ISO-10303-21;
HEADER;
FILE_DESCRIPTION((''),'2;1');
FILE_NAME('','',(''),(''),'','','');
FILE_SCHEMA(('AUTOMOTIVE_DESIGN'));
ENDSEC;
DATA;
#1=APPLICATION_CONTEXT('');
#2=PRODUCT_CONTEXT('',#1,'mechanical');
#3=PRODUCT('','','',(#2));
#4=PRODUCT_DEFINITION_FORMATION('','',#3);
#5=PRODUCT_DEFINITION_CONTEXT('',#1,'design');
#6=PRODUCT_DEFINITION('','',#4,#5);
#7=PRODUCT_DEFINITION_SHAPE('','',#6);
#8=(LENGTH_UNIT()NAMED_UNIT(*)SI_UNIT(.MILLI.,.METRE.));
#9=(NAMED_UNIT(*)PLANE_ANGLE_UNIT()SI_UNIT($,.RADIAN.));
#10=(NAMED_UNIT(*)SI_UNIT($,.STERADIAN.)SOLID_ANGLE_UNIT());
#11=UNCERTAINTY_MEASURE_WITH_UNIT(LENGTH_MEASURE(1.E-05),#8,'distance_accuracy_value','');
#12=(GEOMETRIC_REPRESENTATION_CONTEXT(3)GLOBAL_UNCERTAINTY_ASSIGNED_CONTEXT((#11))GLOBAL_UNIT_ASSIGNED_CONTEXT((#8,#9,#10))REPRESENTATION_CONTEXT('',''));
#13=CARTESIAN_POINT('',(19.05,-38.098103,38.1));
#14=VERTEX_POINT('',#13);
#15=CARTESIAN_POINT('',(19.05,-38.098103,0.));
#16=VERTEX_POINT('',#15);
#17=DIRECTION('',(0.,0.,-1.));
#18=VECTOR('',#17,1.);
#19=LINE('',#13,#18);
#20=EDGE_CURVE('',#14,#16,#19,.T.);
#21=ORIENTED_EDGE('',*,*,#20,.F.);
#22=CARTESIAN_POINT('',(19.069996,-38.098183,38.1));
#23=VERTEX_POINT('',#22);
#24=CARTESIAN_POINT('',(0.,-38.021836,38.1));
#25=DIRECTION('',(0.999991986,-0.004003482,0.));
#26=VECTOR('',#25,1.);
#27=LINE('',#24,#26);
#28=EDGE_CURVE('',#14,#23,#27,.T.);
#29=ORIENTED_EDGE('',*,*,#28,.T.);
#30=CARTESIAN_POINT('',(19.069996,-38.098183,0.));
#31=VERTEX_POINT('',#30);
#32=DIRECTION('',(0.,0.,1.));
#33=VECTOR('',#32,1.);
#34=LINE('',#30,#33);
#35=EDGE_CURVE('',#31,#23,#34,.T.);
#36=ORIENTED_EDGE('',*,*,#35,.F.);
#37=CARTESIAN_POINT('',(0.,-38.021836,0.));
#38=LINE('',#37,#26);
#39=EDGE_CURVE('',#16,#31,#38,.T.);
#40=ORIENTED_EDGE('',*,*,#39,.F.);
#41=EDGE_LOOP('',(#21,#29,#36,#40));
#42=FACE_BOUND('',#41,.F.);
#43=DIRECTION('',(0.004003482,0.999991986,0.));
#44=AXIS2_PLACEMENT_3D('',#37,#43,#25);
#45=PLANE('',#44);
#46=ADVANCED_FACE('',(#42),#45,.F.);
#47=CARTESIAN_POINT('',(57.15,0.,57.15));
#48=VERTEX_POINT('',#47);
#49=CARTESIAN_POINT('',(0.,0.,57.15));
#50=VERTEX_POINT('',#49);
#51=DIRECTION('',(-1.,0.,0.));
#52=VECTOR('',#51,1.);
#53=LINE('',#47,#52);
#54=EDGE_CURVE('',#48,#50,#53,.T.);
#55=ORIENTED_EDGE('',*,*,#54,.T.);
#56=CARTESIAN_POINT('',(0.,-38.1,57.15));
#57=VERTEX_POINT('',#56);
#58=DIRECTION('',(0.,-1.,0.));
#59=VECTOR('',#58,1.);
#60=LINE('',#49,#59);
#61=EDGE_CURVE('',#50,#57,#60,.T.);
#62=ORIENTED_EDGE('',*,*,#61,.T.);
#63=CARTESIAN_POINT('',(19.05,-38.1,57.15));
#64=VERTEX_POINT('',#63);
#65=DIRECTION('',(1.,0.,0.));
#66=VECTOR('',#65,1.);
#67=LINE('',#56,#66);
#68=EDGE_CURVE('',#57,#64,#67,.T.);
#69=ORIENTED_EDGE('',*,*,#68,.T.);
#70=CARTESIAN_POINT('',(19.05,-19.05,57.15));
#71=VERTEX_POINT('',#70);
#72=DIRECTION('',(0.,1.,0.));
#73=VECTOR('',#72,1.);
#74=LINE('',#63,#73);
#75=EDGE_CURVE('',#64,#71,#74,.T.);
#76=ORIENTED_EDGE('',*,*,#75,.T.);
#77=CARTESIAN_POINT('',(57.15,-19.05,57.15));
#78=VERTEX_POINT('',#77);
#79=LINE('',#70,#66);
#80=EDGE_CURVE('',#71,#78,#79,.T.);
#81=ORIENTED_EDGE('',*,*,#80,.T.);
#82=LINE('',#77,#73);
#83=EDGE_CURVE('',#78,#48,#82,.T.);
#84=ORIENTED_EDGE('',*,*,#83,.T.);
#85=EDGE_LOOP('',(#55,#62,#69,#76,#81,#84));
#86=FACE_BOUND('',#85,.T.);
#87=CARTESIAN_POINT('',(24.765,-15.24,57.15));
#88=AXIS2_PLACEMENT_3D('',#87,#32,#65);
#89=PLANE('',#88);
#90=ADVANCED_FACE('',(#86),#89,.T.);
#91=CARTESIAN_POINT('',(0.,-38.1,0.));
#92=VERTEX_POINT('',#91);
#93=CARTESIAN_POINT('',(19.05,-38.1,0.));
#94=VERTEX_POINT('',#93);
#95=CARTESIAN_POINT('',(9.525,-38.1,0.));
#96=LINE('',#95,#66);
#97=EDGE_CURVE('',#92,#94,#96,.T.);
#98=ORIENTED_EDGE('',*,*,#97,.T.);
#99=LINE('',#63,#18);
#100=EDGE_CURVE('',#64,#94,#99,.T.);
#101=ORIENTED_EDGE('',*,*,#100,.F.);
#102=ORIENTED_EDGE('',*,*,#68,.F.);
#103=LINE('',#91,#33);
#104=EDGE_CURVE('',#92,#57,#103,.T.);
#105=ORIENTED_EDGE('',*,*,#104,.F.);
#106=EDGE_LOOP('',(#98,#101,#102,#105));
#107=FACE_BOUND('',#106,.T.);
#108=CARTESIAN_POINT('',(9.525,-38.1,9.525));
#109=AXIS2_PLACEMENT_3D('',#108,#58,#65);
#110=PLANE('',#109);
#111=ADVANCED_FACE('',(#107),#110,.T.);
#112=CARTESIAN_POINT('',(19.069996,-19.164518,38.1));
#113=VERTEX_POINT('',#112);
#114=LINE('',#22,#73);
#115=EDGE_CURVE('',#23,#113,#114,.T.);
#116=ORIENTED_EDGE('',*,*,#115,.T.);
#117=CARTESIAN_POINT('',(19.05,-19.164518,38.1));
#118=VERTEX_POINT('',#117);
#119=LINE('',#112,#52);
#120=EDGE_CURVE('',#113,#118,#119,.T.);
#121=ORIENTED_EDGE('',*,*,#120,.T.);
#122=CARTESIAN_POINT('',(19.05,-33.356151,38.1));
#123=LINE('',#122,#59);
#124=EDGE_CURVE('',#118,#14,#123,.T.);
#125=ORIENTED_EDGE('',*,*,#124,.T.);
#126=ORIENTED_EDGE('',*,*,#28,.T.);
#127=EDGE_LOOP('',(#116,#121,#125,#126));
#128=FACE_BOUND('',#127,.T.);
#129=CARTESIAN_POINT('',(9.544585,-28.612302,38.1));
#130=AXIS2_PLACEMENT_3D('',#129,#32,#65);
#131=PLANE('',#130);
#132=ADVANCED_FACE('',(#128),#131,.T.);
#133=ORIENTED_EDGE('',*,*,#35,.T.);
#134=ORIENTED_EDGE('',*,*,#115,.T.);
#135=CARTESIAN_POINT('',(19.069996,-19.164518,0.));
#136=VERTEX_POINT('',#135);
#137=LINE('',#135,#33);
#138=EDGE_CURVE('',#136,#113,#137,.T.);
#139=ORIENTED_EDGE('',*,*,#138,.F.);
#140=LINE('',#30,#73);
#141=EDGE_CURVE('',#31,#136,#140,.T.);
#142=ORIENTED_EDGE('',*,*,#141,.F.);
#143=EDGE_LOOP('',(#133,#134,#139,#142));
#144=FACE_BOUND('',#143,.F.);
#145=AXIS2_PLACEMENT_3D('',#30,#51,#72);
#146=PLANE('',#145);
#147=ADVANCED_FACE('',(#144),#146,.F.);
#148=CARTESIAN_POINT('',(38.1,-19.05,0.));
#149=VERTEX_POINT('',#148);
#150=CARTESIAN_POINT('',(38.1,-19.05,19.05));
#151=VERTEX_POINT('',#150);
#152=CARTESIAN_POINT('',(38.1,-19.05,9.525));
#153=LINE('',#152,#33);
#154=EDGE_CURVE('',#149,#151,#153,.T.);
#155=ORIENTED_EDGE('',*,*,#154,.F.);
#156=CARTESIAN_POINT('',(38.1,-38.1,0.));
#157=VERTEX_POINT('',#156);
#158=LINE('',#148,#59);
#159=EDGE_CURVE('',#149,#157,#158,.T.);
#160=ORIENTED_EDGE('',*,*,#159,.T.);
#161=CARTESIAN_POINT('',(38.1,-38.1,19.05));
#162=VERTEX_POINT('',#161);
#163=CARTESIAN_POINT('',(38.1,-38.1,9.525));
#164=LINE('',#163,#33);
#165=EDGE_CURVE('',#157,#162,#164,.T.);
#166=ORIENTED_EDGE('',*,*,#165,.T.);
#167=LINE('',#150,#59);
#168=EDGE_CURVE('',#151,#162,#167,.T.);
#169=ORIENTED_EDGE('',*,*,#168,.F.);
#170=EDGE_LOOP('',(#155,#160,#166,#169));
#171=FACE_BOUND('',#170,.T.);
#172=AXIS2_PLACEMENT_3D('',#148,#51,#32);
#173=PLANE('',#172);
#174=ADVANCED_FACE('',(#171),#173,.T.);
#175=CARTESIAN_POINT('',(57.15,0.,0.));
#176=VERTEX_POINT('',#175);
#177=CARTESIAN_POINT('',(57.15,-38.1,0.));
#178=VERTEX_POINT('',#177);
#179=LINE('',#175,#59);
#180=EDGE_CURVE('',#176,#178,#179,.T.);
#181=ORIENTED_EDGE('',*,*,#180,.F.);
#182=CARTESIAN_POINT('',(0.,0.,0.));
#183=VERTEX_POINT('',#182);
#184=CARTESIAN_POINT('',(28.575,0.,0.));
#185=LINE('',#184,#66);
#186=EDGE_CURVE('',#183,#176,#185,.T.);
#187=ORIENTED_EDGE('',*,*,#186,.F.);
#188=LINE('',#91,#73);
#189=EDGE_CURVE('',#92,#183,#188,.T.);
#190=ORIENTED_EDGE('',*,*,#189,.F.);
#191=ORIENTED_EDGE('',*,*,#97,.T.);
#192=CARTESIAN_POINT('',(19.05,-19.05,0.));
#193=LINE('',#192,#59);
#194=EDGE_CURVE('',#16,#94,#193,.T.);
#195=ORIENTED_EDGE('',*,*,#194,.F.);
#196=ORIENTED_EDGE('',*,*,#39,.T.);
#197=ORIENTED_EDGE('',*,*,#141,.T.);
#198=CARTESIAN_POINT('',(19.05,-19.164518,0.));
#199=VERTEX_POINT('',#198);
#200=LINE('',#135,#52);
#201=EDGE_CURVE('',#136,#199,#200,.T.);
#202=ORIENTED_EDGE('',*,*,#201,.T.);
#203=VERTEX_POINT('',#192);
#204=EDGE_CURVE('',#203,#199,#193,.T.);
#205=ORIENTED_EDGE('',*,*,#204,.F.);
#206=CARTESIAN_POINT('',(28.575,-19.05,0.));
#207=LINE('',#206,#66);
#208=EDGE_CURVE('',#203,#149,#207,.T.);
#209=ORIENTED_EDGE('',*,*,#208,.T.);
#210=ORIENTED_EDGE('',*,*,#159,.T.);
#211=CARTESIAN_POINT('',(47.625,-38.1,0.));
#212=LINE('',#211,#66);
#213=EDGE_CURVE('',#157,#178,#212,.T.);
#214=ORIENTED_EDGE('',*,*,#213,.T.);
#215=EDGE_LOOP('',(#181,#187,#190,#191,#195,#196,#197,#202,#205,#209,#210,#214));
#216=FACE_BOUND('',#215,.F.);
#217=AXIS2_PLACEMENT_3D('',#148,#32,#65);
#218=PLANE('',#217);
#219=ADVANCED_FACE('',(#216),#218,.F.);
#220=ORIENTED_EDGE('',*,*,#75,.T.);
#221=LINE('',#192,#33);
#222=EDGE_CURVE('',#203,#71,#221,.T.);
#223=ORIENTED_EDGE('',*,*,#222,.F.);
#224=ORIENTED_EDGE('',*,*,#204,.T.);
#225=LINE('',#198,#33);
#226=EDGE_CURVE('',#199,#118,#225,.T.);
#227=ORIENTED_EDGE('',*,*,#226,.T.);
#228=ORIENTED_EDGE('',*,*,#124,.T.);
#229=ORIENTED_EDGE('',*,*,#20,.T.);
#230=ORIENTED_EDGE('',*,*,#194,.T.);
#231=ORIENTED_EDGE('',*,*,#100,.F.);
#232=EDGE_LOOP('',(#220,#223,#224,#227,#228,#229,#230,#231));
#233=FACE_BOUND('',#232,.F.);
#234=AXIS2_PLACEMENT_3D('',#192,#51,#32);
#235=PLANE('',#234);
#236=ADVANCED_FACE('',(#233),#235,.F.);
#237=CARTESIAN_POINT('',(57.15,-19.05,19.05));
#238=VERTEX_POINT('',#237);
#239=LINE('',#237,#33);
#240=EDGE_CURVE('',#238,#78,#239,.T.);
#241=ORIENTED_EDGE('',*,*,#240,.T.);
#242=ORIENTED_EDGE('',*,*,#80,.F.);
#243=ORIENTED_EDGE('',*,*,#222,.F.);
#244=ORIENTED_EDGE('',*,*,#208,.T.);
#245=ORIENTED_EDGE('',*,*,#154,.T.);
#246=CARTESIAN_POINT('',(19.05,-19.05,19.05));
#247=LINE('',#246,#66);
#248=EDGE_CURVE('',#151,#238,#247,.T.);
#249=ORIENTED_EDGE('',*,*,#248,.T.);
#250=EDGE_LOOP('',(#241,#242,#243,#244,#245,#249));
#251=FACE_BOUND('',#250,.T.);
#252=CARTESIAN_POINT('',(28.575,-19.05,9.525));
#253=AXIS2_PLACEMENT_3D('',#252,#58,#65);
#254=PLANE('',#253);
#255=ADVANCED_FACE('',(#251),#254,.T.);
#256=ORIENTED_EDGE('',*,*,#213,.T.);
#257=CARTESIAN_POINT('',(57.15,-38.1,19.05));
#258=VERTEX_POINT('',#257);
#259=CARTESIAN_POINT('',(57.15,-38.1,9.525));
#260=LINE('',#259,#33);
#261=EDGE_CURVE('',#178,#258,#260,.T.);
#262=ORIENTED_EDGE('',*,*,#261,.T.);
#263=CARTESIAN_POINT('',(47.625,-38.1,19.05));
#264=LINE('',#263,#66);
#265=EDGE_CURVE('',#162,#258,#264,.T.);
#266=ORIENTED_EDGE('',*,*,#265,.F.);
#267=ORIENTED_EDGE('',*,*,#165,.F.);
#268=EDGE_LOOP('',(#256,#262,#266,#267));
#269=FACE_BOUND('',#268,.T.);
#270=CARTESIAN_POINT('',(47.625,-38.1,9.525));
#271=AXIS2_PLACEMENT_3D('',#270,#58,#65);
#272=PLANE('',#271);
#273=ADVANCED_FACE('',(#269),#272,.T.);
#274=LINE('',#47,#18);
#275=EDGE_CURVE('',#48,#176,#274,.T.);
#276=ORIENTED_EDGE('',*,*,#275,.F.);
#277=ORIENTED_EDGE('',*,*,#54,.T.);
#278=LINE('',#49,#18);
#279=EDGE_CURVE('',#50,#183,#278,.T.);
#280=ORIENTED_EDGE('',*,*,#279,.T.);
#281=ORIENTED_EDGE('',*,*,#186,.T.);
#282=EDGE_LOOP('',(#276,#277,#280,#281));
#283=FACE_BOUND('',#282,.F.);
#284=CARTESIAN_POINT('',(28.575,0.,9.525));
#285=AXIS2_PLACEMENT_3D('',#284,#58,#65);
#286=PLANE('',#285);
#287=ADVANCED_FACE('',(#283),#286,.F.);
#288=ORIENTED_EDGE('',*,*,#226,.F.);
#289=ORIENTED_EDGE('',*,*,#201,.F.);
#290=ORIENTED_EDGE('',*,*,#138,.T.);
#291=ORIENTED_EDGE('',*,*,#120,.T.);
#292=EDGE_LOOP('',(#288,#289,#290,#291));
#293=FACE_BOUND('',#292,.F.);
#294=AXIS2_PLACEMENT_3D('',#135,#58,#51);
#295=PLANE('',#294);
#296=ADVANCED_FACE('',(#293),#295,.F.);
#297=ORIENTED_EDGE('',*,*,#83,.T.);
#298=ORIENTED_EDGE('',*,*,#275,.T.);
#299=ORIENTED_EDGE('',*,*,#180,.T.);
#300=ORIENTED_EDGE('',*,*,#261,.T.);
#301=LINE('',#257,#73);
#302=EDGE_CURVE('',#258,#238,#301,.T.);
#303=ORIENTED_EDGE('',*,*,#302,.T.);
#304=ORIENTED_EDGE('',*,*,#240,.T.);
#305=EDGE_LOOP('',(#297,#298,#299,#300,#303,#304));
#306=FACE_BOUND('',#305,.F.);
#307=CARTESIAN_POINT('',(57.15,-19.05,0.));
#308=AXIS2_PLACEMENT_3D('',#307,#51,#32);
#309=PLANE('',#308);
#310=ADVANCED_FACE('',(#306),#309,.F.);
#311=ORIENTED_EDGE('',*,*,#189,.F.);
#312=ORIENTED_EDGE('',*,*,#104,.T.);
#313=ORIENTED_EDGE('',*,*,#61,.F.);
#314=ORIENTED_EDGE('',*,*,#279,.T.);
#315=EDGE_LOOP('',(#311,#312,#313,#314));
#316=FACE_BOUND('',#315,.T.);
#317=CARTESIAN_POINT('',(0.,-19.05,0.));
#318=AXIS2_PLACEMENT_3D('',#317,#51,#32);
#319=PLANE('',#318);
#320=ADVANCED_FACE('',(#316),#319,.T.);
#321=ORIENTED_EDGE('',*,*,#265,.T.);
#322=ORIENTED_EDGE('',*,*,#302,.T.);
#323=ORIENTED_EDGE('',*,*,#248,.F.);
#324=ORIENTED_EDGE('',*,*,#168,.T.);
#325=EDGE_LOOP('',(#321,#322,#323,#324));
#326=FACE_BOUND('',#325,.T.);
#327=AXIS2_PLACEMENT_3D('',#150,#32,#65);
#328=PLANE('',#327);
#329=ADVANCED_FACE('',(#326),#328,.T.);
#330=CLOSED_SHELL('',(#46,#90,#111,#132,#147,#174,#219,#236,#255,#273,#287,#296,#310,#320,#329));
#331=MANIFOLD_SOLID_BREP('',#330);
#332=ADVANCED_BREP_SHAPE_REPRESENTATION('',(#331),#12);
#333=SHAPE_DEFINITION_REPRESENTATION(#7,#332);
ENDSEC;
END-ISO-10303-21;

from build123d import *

# Parameters (mm, degrees)
F0_W     = 57.15
F0_H     = 19.05
F1_DEPTH = 19.05
F2_W     = 19.05
F2_H     = 19.05
F3_DEPTH = 19.05
F4_W     = 19.05
F4_H     = 19.05
F5_DEPTH = 19.05
F7_DEPTH = 38.1


with BuildPart() as f1:
    # F0 (on Front) → F1 (new body)
    with BuildSketch(Plane.XZ):
        with Locations((28.575, 9.525)):
            Rectangle(F0_W, F0_H)
    extrude(amount=F1_DEPTH)

    # F4 (on face) → F5 (join)
    with BuildSketch(Plane.XZ.offset(19.05)):
        with Locations((9.525, 9.525)):
            Rectangle(F4_W, F4_H)
    extrude(amount=F5_DEPTH)



with BuildPart() as f3:
    # F2 (on face) → F3 (new body)
    with BuildSketch(Plane.XZ.offset(19.05)):
        with Locations((47.625, 9.525)):
            Rectangle(F2_W, F2_H)
    extrude(amount=F3_DEPTH)


with BuildPart() as f1_1:
    add(f1.part)

    add(f3.part)  # F7 merges F3
    # F6 (on Top) + F5_face (on face) → F7 (join)
    with BuildSketch(Plane.XY):
        Polygon((0, -19.164518), (0, -38.021836), (19.069996, -38.098183), (19.069996, -19.164518), align=None)
    with BuildSketch(Plane(origin=(23.8125, -14.2875, 19.05), x_dir=(1, 0, 0), z_dir=(0, 0, 1))):
        Polygon((33.3375, -4.7625), (33.3375, 14.2875), (-23.8125, 14.2875), (-23.8125, -23.8125), (-4.7625, -23.8125), (-4.7625, -4.7625), align=None)
    extrude(amount=F7_DEPTH)


solid = f1_1.part
